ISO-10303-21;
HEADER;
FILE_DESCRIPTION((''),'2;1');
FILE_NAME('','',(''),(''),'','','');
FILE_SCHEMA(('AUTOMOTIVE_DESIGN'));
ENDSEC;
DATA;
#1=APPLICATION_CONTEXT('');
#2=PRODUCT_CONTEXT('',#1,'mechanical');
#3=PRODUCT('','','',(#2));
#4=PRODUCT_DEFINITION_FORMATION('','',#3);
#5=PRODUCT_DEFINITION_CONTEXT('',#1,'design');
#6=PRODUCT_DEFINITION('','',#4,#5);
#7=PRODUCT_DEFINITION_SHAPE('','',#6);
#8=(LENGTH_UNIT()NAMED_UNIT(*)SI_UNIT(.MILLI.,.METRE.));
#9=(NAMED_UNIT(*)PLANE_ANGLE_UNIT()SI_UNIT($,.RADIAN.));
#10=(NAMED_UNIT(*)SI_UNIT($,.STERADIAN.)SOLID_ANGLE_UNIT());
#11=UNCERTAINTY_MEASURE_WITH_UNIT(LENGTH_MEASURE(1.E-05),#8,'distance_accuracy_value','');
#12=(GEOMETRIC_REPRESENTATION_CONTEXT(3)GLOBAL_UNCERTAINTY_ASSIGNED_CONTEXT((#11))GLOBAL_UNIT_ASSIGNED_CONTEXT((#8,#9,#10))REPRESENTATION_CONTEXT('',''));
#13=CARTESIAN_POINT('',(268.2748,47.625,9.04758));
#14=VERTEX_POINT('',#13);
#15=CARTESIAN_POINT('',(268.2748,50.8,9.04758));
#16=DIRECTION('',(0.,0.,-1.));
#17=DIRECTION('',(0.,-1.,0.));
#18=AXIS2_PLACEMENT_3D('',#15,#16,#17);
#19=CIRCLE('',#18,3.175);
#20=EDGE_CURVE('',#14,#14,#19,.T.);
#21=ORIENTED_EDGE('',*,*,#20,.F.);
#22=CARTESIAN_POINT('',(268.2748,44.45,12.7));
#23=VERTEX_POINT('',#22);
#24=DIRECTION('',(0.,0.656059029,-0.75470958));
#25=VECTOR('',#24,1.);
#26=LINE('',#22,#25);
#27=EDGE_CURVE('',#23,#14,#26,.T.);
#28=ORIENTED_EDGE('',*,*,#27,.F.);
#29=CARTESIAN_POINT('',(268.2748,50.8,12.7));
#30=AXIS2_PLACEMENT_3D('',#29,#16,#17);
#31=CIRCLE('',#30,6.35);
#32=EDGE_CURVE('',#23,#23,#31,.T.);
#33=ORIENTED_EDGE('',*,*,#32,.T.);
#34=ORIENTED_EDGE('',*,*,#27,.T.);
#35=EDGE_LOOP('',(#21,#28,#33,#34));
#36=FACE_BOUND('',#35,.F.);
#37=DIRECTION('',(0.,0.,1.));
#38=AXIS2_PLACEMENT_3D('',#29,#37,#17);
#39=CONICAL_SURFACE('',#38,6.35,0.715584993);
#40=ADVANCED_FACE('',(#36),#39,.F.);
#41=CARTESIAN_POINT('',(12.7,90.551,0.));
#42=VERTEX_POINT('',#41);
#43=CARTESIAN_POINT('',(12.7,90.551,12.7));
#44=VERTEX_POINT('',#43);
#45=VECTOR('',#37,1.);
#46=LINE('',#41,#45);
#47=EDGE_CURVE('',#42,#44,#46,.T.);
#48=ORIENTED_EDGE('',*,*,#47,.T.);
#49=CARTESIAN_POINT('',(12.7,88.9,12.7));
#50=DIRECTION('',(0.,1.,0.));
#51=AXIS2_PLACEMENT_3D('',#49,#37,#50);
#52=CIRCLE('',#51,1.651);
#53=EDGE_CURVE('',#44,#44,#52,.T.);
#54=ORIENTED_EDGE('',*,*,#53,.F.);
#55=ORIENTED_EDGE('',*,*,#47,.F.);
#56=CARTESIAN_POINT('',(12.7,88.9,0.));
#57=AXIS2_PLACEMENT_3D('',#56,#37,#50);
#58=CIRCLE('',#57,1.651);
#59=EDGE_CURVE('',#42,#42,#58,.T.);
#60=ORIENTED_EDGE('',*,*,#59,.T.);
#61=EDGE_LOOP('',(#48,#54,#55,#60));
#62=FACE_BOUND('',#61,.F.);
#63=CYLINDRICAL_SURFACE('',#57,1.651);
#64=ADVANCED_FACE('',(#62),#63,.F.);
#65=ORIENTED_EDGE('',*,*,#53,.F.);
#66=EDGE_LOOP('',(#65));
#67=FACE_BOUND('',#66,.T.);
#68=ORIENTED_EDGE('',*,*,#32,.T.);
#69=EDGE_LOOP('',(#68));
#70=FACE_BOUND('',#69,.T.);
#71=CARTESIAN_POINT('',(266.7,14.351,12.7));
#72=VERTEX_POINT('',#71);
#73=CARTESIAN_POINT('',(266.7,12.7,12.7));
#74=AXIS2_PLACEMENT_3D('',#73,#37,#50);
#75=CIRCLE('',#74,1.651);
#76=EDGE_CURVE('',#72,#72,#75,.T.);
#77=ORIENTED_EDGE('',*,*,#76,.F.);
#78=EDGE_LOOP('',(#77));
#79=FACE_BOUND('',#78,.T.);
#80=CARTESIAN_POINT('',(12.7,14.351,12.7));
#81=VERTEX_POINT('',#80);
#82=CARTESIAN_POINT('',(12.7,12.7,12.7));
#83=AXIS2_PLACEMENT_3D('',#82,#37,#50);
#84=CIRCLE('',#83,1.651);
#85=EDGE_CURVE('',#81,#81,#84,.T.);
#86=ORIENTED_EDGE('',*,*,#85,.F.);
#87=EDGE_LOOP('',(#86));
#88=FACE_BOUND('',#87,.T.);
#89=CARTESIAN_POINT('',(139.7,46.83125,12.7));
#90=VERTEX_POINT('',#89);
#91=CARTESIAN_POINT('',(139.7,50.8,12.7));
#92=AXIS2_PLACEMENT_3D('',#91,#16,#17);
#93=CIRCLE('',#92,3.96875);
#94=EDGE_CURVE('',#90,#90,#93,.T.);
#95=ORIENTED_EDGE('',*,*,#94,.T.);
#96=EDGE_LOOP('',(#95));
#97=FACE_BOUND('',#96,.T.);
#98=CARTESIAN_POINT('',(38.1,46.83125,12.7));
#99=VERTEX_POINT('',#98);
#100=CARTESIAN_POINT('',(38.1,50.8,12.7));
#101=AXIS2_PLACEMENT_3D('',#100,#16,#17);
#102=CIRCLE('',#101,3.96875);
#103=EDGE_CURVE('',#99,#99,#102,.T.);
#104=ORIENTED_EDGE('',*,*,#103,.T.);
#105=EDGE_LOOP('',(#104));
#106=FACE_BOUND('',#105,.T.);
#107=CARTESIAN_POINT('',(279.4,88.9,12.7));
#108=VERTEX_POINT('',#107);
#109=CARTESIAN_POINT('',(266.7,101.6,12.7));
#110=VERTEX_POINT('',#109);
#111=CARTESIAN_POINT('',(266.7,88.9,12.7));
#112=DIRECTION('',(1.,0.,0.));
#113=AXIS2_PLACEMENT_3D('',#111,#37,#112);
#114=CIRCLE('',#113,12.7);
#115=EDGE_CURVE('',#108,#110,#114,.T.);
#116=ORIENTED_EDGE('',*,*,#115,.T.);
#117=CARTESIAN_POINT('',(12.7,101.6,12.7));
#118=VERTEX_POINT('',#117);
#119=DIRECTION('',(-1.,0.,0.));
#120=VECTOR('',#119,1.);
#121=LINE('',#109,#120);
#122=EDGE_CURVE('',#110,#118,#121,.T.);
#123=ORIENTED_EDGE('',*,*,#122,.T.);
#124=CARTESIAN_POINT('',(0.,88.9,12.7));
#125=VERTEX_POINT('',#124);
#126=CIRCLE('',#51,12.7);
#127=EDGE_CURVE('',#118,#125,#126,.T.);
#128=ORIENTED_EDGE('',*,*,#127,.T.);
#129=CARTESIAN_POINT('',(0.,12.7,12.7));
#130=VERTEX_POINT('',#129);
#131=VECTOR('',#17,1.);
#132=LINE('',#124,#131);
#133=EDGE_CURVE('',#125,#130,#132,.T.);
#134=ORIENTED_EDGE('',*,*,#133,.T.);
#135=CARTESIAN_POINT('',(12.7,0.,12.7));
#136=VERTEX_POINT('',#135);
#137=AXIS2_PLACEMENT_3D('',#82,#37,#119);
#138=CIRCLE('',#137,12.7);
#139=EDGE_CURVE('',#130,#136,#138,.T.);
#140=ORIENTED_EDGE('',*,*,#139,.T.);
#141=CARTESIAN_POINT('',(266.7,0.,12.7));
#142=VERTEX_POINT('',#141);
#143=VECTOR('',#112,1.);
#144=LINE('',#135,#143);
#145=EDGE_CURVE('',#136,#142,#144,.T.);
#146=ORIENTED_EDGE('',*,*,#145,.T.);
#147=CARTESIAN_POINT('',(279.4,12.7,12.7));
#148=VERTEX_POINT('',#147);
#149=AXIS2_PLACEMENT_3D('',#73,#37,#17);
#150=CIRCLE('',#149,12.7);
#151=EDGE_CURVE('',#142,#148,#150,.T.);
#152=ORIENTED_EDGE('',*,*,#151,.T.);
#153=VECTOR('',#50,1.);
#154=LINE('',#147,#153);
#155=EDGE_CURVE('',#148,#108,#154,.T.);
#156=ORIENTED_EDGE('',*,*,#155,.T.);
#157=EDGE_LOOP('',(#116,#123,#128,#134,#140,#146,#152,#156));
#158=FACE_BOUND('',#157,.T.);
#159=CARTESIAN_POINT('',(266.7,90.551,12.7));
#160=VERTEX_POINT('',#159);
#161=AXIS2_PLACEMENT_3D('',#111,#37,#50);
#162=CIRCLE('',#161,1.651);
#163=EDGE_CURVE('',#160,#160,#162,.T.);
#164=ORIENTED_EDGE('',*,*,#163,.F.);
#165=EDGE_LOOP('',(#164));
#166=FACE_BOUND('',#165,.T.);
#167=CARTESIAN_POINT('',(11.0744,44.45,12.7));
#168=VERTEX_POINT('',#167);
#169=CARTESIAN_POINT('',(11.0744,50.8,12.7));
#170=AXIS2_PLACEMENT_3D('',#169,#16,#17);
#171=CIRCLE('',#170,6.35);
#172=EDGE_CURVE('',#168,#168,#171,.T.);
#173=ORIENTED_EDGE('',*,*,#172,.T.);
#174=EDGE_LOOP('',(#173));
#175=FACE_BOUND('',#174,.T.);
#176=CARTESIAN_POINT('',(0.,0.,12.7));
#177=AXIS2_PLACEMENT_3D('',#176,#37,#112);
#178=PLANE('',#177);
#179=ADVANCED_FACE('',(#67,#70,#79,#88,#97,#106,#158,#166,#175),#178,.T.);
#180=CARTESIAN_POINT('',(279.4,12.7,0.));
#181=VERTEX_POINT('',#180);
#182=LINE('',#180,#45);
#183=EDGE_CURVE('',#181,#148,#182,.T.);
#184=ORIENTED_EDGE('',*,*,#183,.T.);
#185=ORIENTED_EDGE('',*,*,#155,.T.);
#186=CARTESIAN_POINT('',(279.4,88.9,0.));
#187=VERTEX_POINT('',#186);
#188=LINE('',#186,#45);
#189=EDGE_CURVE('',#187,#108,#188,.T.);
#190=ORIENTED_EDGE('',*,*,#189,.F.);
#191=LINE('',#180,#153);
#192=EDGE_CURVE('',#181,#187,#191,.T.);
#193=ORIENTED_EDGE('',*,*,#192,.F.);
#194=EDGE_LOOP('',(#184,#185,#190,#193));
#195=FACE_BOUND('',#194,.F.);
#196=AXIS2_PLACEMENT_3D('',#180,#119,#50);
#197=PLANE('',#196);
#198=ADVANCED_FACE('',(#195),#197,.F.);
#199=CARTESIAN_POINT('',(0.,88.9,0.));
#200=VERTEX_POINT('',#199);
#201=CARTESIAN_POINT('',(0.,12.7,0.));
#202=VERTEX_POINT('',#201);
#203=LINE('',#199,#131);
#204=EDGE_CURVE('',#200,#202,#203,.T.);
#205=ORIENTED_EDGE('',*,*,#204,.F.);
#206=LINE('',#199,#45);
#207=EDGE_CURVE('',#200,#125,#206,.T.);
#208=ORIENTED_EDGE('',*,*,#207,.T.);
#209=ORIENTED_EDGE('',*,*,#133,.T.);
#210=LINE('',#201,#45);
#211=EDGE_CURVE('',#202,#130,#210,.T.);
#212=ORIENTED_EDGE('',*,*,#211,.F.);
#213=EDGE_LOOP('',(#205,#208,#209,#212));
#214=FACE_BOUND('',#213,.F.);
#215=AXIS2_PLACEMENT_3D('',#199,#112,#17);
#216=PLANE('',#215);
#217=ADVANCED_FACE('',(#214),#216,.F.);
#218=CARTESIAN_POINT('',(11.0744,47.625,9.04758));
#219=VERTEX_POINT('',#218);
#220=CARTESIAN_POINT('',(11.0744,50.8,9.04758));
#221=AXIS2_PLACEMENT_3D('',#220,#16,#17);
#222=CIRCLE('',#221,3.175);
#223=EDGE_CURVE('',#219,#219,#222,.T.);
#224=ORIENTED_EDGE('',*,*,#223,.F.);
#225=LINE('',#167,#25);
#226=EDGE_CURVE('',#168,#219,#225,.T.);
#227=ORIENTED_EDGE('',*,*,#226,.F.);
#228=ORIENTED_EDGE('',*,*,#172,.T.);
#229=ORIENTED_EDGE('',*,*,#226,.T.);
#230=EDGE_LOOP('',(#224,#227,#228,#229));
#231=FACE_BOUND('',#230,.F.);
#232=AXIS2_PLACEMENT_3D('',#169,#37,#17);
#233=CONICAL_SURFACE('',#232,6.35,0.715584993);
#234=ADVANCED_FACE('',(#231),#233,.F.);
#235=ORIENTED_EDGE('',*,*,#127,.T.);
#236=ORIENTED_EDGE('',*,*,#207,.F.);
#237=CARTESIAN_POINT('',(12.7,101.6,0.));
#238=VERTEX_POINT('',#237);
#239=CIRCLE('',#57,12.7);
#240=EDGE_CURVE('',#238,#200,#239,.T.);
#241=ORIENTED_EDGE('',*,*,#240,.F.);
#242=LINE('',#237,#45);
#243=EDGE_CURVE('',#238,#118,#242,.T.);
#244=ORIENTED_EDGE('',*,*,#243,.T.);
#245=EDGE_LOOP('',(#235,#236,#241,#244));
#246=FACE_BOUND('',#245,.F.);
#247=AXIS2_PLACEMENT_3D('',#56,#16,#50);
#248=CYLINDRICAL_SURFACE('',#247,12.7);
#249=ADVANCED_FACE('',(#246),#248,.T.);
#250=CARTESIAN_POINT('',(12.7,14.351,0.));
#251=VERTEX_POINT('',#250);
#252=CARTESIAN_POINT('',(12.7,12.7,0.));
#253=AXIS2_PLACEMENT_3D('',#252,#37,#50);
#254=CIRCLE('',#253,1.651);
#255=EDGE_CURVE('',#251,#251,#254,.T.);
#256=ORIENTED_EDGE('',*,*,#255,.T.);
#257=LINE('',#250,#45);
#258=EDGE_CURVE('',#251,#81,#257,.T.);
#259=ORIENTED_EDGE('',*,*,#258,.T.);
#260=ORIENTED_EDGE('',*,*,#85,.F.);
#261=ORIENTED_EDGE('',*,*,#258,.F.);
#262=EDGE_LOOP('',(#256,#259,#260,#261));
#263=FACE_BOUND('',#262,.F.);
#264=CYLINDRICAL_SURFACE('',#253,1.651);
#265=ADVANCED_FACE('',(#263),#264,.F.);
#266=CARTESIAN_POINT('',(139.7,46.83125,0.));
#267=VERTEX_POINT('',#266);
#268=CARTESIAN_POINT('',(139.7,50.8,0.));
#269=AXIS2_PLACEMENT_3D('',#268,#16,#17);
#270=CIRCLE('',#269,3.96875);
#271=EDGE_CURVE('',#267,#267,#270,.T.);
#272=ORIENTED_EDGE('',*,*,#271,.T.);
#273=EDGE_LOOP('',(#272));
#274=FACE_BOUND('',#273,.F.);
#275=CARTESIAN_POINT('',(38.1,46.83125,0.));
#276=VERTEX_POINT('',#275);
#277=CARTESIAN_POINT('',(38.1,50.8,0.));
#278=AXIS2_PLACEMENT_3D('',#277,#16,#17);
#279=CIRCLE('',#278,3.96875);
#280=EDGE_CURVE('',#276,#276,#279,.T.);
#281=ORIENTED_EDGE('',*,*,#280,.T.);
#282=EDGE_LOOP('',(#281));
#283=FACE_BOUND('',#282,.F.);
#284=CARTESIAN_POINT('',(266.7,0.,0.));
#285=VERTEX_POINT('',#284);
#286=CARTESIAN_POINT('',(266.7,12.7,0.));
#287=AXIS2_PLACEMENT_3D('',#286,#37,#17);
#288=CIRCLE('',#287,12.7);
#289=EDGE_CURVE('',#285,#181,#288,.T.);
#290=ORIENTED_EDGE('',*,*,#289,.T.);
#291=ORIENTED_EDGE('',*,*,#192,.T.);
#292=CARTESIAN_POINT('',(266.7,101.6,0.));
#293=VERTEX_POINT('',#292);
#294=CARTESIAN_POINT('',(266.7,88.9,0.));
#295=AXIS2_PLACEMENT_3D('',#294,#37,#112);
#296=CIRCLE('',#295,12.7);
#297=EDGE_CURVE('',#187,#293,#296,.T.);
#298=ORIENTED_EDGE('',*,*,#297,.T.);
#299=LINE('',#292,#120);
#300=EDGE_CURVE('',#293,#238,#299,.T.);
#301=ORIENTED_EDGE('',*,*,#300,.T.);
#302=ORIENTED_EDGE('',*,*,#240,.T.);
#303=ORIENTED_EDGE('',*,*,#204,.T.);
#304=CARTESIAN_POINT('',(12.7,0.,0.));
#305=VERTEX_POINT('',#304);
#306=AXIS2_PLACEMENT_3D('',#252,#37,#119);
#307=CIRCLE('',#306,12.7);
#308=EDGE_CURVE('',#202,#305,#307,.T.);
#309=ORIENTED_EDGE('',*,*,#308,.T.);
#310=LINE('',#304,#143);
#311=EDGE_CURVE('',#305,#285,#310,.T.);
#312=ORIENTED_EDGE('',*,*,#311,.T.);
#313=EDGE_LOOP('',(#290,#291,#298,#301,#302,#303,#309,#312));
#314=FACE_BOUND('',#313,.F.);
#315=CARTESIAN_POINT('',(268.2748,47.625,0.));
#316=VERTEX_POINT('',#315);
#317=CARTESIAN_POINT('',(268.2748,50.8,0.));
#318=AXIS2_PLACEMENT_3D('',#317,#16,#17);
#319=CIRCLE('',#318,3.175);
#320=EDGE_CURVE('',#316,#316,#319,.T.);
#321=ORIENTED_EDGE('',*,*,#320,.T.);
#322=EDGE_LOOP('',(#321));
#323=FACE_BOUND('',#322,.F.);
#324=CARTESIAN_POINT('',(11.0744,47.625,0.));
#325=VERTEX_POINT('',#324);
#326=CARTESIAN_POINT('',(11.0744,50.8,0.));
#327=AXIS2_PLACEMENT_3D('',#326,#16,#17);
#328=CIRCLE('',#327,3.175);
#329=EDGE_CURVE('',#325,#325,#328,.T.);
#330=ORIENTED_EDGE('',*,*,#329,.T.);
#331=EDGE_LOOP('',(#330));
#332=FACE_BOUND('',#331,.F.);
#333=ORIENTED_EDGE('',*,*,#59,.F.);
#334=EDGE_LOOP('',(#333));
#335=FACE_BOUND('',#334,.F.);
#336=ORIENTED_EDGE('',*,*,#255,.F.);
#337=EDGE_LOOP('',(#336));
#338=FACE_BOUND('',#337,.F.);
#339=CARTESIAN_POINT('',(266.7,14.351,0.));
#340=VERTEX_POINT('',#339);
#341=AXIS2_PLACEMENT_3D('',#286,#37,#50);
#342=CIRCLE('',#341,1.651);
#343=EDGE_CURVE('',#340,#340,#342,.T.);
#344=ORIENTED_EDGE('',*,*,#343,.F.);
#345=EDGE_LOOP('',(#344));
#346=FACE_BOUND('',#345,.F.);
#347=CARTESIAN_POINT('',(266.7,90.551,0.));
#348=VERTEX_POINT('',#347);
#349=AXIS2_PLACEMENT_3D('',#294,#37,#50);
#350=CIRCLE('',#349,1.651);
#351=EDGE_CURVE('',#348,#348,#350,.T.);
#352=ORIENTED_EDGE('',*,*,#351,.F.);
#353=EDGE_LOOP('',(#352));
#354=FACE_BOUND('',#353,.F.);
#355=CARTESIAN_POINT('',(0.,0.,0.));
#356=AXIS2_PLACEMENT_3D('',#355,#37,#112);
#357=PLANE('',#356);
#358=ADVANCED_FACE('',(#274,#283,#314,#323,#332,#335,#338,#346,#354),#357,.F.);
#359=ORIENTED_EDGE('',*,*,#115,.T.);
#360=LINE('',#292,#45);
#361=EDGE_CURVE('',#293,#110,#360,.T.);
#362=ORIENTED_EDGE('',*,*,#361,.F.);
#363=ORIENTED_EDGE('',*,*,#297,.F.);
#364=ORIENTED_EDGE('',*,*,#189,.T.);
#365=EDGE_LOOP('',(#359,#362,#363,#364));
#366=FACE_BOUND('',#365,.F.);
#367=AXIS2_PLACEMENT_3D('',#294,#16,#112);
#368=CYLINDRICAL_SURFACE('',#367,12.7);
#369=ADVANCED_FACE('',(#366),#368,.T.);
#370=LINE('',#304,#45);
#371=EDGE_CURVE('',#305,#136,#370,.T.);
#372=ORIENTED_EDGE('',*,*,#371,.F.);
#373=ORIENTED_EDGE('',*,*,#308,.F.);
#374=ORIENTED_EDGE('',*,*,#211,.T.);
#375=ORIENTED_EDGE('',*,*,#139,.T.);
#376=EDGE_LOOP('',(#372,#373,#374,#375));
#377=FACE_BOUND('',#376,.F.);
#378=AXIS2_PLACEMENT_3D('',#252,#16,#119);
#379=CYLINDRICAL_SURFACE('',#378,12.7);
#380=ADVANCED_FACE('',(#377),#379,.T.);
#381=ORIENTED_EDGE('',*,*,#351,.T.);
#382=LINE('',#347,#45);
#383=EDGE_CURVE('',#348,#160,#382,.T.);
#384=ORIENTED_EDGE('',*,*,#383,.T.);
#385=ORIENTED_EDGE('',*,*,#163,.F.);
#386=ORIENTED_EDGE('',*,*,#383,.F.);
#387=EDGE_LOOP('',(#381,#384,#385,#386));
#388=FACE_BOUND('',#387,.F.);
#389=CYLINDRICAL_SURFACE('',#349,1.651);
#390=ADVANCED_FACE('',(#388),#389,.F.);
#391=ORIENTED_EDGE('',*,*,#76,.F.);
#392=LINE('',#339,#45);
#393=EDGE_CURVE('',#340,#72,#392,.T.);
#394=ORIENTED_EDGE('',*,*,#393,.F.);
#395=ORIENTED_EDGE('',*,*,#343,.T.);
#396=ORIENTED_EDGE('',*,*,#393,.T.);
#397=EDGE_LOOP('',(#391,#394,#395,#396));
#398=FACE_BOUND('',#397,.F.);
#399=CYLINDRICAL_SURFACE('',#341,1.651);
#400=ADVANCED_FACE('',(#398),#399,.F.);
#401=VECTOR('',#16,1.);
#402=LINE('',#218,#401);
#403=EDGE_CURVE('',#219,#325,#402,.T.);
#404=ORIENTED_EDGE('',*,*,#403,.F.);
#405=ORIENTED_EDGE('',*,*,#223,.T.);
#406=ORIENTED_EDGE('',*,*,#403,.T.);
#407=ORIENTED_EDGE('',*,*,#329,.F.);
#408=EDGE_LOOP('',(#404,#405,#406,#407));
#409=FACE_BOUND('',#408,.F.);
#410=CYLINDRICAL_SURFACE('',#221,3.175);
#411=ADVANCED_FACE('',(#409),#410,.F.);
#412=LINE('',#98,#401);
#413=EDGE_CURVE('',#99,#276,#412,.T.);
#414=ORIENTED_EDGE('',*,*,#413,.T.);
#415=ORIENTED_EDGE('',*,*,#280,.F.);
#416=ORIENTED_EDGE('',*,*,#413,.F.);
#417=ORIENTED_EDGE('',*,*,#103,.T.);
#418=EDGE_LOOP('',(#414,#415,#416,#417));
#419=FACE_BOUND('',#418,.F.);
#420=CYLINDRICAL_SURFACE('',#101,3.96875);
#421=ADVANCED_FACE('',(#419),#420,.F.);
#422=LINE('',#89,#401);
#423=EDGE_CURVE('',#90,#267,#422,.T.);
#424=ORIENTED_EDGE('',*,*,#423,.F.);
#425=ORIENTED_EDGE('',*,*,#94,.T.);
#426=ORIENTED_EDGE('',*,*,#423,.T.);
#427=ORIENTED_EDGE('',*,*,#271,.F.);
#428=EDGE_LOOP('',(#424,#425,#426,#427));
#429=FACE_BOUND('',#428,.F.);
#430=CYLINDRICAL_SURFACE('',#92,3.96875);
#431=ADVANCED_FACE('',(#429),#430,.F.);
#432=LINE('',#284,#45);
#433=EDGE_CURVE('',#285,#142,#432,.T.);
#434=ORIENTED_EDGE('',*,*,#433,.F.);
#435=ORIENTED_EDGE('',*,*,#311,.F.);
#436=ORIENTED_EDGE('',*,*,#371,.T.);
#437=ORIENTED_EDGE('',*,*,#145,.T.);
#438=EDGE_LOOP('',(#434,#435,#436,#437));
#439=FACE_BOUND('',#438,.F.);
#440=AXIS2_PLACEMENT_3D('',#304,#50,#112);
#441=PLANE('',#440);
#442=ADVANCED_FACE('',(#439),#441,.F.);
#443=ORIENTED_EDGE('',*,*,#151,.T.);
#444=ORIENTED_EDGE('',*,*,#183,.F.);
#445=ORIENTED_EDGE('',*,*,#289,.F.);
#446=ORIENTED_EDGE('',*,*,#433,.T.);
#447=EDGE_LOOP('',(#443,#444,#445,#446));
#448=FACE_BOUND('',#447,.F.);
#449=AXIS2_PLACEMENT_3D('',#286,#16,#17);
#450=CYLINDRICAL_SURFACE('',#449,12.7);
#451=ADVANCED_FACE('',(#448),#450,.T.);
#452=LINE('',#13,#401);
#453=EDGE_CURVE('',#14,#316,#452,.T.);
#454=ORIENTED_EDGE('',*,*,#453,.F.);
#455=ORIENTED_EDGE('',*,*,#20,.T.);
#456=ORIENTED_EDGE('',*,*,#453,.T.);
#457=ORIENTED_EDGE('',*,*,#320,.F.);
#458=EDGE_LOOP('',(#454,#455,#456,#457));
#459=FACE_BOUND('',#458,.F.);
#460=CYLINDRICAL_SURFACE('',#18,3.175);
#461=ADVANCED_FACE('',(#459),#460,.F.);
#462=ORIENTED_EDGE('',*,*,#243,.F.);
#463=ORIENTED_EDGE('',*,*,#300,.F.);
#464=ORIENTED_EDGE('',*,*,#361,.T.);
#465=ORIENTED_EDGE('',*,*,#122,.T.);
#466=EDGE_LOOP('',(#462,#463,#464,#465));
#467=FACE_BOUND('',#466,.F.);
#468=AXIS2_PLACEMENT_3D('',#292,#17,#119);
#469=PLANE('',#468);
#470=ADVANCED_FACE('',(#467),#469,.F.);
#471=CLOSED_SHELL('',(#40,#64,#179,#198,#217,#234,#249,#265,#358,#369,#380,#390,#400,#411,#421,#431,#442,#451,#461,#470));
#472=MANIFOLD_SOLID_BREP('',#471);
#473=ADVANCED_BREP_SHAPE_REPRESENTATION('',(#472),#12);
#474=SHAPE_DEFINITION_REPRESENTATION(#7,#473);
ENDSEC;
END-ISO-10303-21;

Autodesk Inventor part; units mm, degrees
ref_plane "YZ Plane" through (0, 0, 0) normal (1, 0, 0) x (0, 1, 0)
ref_plane "XZ Plane" through (0, 0, 0) normal (0, 1, 0) x (-1, 0, 0)
ref_plane "XY Plane" through (0, 0, 0) normal (0, 0, 1) x (1, 0, 0)
sketch "Sketch1" plane through (0, 0, 0) normal (0, 0, 1) x (1, 0, 0)
  line L0 (12.7, 0) -> (266.7, 0)
  line L1 (279.4, 12.7) -> (279.4, 88.9)
  line L2 (266.7, 101.6) -> (12.7, 101.6)
  line L3 (0, 88.9) -> (0, 12.7)
  arc A0 (3.175, 101.6) -> (0, 98.425) centre (3.175, 98.425) ccw
  arc A1 (266.7, 0) -> (279.4, 12.7) centre (266.7, 12.7) ccw
  arc A2 (12.7, 101.6) -> (0, 88.9) centre (12.7, 88.9) ccw
  arc A3 (0, 12.7) -> (12.7, 0) centre (12.7, 12.7) ccw
  arc A4 (279.4, 88.9) -> (266.7, 101.6) centre (266.7, 88.9) ccw
  point P0 (0, 0)
  point P1 (279.4, 101.6)
  point P2 (279.4, 0)
  point P3 (0, 101.6)
  dimension "d0" = 279.4
  dimension "d1" = 101.6
  dimension "d2" = 3.175
  dimension "d3" = 12.7
  dimension "d28" = 12.7
extrude "Extrusion1" add sketch "Sketch1" along normal blind 12.7
sketch "Sketch2" plane through (0, 0, 12.7) normal (0, 0, 1) x (1, 0, 0)
  point P0 (0, 0)
sketch "Sketch3" plane through (0, 0, 12.7) normal (0, 0, 1) x (1, 0, 0)
  line L0 (0, 88.9) -> (0, 12.7) projected
  line L1 (279.4, 12.7) -> (279.4, 88.9) projected
  line L2 (266.7, 101.6) -> (12.7, 101.6) projected
  point P0 (0, 0)
  point P1 (11.0744, 50.8)
  point P2 (38.1, 50.8)
  point P3 (268.2748, 50.8)
  point P4 (139.7, 50.8)
  point P5 (279.4, 101.6)
  dimension "d6" = 11.0744
  dimension "d7" = 38.1
  dimension "d8" = 139.7
  dimension "d9" = 11.1252
  dimension "d10" = 50.8
  dimension "d11" = 50.8
  dimension "d12" = 50.8
  dimension "d13" = 50.8
hole "Hole1" at (11.0744, 50.8, 12.7) at (268.2748, 50.8, 12.7) direction (0, 0, -1) diameter 6.35 end through all countersink diameter 12.7 countersink angle 82
hole "Hole2" at (38.1, 50.8, 12.7) at (139.7, 50.8, 12.7) direction (0, 0, -1) diameter 7.9375 end through all
sketch "Sketch4" plane through (0, 0, 12.7) normal (0, 0, 1) x (1, 0, 0)
  point P0 (0, 0)
sketch "Sketch5" plane through (0, 0, 0) normal (0, 0, -1) x (-1, 0, 0)
  point P0 (0, 0)
hole "Hole3" at (266.7, 88.9, 0) at (266.7, 12.7, 0) at (12.7, 12.7, 0) at (12.7, 88.9, 0) direction (0, 0, 1) diameter 3.302 end through all thread size "8-32 UNC" class "2B" standard "ANSI Unified Screw Threads"
properties part number "AW5.5aBasePlate"
